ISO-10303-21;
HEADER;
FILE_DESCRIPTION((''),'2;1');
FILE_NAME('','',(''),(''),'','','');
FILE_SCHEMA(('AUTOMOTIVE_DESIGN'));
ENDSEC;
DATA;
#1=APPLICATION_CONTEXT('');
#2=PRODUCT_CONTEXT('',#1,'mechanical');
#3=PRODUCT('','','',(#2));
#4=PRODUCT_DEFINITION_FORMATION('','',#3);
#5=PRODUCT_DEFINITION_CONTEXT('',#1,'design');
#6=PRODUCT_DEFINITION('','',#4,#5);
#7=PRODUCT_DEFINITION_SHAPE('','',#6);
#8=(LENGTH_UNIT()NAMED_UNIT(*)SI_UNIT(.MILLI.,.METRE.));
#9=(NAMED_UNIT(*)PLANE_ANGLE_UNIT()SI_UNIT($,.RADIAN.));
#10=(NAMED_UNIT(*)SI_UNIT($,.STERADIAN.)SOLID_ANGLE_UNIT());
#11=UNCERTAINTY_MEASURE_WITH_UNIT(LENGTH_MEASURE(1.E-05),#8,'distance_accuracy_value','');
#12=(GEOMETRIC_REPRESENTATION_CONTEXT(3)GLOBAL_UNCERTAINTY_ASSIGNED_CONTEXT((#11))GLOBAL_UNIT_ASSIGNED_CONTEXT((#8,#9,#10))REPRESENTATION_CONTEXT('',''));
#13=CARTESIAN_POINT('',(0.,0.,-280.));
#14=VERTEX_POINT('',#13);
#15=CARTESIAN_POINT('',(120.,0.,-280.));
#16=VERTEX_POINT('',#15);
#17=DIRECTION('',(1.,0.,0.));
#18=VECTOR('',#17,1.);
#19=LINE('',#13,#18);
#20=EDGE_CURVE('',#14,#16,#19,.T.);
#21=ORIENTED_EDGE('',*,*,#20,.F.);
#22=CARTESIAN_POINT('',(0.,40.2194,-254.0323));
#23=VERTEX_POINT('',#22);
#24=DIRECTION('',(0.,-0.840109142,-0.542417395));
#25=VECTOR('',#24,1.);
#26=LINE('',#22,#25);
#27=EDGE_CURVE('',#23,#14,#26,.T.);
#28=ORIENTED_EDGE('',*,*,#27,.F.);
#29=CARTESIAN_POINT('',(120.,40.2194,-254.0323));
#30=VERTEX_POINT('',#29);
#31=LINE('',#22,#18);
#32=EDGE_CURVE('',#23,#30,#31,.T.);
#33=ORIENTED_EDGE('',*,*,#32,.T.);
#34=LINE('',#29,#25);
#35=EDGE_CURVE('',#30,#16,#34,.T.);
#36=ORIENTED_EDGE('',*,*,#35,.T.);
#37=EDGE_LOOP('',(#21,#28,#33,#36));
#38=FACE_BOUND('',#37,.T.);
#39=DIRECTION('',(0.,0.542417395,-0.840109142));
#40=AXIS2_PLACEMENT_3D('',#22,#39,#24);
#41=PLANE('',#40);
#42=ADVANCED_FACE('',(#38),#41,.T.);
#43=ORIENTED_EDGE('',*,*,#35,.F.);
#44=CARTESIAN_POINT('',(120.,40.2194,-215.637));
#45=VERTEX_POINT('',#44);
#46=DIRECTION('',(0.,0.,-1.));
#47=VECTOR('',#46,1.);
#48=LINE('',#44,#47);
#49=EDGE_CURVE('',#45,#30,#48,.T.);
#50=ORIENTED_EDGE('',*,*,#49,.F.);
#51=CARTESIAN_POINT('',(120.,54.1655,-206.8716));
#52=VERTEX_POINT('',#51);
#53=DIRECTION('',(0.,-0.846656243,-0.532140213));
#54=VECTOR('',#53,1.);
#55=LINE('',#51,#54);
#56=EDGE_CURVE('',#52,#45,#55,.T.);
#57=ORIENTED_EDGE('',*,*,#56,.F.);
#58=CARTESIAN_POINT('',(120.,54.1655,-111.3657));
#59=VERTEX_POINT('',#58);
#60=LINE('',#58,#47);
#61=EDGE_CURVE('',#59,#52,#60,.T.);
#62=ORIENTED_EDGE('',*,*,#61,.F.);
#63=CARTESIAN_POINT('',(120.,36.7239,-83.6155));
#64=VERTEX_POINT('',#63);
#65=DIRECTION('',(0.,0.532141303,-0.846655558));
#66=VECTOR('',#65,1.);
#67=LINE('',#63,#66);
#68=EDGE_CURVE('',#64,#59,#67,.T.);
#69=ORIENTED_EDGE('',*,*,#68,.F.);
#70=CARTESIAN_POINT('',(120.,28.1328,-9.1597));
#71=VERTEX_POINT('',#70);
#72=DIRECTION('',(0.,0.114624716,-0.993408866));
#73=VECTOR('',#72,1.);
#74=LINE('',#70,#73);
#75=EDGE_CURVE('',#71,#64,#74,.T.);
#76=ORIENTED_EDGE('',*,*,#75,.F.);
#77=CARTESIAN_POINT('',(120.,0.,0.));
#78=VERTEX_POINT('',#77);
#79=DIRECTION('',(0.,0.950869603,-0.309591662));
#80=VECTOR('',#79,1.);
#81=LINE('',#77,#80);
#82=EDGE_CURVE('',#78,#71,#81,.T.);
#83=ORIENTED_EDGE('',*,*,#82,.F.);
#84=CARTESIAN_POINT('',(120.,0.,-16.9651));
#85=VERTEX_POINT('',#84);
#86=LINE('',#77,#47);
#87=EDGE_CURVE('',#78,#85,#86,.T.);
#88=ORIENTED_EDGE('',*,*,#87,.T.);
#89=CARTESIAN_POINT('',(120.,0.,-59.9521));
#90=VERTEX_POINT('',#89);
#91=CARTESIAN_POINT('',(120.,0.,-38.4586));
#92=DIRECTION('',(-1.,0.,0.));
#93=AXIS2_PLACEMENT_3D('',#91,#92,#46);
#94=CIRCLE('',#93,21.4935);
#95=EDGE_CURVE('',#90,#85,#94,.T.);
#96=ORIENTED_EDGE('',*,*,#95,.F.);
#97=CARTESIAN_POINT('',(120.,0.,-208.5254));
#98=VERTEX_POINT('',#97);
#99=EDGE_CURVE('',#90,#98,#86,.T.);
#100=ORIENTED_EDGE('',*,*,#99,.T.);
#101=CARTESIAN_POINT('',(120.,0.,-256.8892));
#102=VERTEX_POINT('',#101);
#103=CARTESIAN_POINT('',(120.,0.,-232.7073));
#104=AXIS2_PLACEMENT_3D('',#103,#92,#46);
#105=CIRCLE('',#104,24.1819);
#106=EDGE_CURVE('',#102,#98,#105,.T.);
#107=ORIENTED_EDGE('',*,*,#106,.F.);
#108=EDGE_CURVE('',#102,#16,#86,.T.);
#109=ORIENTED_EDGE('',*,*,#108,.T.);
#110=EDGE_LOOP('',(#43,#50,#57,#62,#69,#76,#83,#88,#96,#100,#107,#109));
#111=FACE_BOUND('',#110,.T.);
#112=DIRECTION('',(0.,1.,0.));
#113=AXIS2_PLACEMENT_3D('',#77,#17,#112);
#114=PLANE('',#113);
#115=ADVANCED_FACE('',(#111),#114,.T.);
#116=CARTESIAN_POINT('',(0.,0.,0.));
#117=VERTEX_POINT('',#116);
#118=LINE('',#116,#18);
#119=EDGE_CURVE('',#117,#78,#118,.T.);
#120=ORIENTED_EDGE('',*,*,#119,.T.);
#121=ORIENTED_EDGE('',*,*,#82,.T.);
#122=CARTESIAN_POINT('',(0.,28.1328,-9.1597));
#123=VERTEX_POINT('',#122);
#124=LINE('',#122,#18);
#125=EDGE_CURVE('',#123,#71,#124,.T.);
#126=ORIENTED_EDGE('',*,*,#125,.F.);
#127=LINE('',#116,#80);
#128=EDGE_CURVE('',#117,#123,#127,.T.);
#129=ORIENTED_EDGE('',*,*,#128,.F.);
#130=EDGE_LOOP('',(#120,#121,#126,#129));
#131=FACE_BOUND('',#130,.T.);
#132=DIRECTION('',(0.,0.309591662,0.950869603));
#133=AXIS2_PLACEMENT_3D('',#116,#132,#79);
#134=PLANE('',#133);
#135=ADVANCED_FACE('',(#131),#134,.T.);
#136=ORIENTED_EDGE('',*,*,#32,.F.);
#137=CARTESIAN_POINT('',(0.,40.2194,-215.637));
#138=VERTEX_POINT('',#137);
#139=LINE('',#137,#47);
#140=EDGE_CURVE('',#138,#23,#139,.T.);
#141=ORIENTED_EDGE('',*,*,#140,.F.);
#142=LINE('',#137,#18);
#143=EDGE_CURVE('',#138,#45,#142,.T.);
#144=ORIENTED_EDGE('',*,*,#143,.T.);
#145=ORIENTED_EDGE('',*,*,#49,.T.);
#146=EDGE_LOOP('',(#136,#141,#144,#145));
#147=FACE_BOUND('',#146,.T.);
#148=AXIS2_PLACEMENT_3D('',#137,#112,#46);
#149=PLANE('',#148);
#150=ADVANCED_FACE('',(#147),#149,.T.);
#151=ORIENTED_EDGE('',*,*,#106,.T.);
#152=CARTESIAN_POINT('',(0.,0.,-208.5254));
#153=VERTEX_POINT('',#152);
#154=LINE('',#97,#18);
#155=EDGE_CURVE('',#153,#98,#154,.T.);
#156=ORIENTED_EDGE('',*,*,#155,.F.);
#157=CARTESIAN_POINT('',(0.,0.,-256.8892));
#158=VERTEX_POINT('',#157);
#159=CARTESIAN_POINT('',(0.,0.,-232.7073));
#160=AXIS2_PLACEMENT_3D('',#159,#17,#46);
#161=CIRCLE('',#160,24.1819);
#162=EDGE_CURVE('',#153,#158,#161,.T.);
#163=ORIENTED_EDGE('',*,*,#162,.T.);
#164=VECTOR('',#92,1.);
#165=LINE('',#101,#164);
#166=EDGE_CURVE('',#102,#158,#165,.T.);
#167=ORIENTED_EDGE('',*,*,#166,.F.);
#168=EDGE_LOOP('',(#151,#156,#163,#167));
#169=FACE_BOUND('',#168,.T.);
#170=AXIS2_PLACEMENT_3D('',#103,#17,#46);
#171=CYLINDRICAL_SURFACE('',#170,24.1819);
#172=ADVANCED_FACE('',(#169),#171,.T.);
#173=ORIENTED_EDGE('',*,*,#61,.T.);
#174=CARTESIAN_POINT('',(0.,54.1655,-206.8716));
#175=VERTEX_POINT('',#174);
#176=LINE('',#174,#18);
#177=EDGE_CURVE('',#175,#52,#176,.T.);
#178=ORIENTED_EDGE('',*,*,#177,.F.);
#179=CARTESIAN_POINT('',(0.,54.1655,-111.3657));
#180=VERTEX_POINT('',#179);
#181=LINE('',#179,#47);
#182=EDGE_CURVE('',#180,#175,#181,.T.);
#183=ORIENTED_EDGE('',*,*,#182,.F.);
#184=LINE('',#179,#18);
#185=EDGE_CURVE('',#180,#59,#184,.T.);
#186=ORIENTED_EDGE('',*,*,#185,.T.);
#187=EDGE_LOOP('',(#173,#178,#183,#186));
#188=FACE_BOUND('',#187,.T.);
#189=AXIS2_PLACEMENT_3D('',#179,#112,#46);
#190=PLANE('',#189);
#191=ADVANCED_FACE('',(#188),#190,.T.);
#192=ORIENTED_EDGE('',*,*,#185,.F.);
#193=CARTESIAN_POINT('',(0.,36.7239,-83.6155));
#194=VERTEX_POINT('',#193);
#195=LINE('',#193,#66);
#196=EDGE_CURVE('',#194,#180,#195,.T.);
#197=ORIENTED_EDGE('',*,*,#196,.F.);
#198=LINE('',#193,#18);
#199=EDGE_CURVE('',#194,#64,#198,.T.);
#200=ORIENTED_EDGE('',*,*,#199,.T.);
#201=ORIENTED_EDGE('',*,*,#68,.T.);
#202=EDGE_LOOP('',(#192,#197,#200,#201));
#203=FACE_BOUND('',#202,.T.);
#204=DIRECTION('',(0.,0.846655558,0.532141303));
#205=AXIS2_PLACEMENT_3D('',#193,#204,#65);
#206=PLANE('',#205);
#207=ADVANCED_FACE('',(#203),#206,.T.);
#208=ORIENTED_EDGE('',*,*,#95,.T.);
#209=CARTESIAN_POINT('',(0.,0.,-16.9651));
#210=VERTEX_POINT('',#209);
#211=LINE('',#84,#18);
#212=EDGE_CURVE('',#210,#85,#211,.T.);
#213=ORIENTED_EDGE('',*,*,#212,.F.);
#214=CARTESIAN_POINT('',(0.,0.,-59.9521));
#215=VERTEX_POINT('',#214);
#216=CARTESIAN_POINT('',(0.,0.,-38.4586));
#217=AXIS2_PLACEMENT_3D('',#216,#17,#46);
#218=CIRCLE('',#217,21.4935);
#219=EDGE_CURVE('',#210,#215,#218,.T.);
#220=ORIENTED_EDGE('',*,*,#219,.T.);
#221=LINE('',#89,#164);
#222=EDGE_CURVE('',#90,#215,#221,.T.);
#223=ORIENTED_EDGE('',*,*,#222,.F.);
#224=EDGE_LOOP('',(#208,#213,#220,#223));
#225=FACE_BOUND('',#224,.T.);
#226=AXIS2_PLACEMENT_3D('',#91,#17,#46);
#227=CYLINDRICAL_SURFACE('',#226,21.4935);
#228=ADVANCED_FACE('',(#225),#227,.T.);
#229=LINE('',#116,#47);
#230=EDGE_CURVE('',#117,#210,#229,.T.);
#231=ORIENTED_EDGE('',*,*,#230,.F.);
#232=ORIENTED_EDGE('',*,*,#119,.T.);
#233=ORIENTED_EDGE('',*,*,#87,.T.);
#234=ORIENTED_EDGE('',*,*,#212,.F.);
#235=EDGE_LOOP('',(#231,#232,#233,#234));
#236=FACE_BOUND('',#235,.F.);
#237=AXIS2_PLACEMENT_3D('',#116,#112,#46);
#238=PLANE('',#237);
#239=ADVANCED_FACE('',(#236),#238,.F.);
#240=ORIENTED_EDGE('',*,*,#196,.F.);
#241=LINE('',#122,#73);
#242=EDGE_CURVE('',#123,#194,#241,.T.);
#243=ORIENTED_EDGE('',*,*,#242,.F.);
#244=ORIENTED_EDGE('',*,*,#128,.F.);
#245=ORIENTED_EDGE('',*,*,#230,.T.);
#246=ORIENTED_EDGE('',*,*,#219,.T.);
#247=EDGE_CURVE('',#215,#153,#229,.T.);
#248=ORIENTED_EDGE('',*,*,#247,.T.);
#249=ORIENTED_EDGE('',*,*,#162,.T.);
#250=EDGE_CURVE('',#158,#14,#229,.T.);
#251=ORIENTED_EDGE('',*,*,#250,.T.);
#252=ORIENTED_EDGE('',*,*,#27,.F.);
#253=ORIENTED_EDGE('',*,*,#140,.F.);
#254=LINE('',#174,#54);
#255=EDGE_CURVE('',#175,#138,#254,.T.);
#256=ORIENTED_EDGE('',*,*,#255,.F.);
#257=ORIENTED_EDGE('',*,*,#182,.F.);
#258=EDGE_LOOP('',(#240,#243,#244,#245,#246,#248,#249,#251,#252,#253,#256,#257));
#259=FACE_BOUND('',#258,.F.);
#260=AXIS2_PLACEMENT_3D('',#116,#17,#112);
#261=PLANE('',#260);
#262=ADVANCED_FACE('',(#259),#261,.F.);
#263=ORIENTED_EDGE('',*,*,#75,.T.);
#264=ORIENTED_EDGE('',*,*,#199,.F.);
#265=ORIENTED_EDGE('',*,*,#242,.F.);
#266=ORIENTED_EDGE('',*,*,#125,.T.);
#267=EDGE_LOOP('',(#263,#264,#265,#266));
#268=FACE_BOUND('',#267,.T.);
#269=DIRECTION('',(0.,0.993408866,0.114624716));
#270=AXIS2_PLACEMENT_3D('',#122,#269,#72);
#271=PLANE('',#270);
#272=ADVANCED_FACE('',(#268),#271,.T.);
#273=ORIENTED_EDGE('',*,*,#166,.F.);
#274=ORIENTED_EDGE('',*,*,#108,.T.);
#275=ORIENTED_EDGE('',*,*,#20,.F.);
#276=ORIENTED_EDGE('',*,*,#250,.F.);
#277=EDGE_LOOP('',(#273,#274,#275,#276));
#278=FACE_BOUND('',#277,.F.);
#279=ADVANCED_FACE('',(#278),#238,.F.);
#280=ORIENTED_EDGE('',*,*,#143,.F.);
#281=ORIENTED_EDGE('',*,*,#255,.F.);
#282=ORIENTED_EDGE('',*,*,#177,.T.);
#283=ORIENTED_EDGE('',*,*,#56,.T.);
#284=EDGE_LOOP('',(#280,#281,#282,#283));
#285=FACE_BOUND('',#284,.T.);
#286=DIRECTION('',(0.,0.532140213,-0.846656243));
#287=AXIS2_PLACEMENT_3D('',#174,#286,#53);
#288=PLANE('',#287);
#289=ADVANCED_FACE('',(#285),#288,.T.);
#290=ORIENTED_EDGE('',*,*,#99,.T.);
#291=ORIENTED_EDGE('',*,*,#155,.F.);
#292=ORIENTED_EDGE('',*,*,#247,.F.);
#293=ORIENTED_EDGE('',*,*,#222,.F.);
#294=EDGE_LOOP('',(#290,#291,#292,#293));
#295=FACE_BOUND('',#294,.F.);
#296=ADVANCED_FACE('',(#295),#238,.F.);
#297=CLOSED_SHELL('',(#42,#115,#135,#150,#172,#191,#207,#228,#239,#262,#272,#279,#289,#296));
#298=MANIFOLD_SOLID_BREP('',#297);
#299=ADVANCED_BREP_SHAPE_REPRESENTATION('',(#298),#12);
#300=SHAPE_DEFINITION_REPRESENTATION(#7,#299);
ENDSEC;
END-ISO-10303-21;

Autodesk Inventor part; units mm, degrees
ref_plane "YZ Plane" through (0, 0, 0) normal (1, 0, 0) x (0, 1, 0)
ref_plane "XZ Plane" through (0, 0, 0) normal (0, 1, 0) x (-1, 0, 0)
ref_plane "XY Plane" through (0, 0, 0) normal (0, 0, 1) x (1, 0, 0)
sketch "Sketch1" plane through (0, 0, 0) normal (1, 0, 0) x (0, 1, 0)
  line L0 (0, 0) -> (0, -280)
  line L1 (0, 0) -> (28.1328, -9.1597)
  line L2 (28.1328, -9.1597) -> (36.7239, -83.6155)
  line L3 (36.7239, -83.6155) -> (54.1655, -111.3657)
  line L4 (54.1655, -111.3657) -> (54.1655, -206.8716)
  line L5 (54.1655, -206.8716) -> (40.2194, -215.637)
  line L6 (40.2194, -215.637) -> (40.2194, -254.0323)
  line L7 (40.2194, -254.0323) -> (0, -280)
  dimension "d0" = 280
  dimension "d2" = 0
extrude "Extrusion1" add sketch "Sketch1" along normal blind 120
sketch "Sketch2" plane through (120, 0, 0) normal (1, 0, 0) x (0, 0, -1)
  line L0 (0, 0) -> (280, 0) projected
  circle A0 centre (38.4586, 0) radius 21.4935
  circle A1 centre (232.7073, 0) radius 24.1819
extrude "Extrusion2" add sketch "Sketch2" against normal blind 120
properties part number "car110th"
